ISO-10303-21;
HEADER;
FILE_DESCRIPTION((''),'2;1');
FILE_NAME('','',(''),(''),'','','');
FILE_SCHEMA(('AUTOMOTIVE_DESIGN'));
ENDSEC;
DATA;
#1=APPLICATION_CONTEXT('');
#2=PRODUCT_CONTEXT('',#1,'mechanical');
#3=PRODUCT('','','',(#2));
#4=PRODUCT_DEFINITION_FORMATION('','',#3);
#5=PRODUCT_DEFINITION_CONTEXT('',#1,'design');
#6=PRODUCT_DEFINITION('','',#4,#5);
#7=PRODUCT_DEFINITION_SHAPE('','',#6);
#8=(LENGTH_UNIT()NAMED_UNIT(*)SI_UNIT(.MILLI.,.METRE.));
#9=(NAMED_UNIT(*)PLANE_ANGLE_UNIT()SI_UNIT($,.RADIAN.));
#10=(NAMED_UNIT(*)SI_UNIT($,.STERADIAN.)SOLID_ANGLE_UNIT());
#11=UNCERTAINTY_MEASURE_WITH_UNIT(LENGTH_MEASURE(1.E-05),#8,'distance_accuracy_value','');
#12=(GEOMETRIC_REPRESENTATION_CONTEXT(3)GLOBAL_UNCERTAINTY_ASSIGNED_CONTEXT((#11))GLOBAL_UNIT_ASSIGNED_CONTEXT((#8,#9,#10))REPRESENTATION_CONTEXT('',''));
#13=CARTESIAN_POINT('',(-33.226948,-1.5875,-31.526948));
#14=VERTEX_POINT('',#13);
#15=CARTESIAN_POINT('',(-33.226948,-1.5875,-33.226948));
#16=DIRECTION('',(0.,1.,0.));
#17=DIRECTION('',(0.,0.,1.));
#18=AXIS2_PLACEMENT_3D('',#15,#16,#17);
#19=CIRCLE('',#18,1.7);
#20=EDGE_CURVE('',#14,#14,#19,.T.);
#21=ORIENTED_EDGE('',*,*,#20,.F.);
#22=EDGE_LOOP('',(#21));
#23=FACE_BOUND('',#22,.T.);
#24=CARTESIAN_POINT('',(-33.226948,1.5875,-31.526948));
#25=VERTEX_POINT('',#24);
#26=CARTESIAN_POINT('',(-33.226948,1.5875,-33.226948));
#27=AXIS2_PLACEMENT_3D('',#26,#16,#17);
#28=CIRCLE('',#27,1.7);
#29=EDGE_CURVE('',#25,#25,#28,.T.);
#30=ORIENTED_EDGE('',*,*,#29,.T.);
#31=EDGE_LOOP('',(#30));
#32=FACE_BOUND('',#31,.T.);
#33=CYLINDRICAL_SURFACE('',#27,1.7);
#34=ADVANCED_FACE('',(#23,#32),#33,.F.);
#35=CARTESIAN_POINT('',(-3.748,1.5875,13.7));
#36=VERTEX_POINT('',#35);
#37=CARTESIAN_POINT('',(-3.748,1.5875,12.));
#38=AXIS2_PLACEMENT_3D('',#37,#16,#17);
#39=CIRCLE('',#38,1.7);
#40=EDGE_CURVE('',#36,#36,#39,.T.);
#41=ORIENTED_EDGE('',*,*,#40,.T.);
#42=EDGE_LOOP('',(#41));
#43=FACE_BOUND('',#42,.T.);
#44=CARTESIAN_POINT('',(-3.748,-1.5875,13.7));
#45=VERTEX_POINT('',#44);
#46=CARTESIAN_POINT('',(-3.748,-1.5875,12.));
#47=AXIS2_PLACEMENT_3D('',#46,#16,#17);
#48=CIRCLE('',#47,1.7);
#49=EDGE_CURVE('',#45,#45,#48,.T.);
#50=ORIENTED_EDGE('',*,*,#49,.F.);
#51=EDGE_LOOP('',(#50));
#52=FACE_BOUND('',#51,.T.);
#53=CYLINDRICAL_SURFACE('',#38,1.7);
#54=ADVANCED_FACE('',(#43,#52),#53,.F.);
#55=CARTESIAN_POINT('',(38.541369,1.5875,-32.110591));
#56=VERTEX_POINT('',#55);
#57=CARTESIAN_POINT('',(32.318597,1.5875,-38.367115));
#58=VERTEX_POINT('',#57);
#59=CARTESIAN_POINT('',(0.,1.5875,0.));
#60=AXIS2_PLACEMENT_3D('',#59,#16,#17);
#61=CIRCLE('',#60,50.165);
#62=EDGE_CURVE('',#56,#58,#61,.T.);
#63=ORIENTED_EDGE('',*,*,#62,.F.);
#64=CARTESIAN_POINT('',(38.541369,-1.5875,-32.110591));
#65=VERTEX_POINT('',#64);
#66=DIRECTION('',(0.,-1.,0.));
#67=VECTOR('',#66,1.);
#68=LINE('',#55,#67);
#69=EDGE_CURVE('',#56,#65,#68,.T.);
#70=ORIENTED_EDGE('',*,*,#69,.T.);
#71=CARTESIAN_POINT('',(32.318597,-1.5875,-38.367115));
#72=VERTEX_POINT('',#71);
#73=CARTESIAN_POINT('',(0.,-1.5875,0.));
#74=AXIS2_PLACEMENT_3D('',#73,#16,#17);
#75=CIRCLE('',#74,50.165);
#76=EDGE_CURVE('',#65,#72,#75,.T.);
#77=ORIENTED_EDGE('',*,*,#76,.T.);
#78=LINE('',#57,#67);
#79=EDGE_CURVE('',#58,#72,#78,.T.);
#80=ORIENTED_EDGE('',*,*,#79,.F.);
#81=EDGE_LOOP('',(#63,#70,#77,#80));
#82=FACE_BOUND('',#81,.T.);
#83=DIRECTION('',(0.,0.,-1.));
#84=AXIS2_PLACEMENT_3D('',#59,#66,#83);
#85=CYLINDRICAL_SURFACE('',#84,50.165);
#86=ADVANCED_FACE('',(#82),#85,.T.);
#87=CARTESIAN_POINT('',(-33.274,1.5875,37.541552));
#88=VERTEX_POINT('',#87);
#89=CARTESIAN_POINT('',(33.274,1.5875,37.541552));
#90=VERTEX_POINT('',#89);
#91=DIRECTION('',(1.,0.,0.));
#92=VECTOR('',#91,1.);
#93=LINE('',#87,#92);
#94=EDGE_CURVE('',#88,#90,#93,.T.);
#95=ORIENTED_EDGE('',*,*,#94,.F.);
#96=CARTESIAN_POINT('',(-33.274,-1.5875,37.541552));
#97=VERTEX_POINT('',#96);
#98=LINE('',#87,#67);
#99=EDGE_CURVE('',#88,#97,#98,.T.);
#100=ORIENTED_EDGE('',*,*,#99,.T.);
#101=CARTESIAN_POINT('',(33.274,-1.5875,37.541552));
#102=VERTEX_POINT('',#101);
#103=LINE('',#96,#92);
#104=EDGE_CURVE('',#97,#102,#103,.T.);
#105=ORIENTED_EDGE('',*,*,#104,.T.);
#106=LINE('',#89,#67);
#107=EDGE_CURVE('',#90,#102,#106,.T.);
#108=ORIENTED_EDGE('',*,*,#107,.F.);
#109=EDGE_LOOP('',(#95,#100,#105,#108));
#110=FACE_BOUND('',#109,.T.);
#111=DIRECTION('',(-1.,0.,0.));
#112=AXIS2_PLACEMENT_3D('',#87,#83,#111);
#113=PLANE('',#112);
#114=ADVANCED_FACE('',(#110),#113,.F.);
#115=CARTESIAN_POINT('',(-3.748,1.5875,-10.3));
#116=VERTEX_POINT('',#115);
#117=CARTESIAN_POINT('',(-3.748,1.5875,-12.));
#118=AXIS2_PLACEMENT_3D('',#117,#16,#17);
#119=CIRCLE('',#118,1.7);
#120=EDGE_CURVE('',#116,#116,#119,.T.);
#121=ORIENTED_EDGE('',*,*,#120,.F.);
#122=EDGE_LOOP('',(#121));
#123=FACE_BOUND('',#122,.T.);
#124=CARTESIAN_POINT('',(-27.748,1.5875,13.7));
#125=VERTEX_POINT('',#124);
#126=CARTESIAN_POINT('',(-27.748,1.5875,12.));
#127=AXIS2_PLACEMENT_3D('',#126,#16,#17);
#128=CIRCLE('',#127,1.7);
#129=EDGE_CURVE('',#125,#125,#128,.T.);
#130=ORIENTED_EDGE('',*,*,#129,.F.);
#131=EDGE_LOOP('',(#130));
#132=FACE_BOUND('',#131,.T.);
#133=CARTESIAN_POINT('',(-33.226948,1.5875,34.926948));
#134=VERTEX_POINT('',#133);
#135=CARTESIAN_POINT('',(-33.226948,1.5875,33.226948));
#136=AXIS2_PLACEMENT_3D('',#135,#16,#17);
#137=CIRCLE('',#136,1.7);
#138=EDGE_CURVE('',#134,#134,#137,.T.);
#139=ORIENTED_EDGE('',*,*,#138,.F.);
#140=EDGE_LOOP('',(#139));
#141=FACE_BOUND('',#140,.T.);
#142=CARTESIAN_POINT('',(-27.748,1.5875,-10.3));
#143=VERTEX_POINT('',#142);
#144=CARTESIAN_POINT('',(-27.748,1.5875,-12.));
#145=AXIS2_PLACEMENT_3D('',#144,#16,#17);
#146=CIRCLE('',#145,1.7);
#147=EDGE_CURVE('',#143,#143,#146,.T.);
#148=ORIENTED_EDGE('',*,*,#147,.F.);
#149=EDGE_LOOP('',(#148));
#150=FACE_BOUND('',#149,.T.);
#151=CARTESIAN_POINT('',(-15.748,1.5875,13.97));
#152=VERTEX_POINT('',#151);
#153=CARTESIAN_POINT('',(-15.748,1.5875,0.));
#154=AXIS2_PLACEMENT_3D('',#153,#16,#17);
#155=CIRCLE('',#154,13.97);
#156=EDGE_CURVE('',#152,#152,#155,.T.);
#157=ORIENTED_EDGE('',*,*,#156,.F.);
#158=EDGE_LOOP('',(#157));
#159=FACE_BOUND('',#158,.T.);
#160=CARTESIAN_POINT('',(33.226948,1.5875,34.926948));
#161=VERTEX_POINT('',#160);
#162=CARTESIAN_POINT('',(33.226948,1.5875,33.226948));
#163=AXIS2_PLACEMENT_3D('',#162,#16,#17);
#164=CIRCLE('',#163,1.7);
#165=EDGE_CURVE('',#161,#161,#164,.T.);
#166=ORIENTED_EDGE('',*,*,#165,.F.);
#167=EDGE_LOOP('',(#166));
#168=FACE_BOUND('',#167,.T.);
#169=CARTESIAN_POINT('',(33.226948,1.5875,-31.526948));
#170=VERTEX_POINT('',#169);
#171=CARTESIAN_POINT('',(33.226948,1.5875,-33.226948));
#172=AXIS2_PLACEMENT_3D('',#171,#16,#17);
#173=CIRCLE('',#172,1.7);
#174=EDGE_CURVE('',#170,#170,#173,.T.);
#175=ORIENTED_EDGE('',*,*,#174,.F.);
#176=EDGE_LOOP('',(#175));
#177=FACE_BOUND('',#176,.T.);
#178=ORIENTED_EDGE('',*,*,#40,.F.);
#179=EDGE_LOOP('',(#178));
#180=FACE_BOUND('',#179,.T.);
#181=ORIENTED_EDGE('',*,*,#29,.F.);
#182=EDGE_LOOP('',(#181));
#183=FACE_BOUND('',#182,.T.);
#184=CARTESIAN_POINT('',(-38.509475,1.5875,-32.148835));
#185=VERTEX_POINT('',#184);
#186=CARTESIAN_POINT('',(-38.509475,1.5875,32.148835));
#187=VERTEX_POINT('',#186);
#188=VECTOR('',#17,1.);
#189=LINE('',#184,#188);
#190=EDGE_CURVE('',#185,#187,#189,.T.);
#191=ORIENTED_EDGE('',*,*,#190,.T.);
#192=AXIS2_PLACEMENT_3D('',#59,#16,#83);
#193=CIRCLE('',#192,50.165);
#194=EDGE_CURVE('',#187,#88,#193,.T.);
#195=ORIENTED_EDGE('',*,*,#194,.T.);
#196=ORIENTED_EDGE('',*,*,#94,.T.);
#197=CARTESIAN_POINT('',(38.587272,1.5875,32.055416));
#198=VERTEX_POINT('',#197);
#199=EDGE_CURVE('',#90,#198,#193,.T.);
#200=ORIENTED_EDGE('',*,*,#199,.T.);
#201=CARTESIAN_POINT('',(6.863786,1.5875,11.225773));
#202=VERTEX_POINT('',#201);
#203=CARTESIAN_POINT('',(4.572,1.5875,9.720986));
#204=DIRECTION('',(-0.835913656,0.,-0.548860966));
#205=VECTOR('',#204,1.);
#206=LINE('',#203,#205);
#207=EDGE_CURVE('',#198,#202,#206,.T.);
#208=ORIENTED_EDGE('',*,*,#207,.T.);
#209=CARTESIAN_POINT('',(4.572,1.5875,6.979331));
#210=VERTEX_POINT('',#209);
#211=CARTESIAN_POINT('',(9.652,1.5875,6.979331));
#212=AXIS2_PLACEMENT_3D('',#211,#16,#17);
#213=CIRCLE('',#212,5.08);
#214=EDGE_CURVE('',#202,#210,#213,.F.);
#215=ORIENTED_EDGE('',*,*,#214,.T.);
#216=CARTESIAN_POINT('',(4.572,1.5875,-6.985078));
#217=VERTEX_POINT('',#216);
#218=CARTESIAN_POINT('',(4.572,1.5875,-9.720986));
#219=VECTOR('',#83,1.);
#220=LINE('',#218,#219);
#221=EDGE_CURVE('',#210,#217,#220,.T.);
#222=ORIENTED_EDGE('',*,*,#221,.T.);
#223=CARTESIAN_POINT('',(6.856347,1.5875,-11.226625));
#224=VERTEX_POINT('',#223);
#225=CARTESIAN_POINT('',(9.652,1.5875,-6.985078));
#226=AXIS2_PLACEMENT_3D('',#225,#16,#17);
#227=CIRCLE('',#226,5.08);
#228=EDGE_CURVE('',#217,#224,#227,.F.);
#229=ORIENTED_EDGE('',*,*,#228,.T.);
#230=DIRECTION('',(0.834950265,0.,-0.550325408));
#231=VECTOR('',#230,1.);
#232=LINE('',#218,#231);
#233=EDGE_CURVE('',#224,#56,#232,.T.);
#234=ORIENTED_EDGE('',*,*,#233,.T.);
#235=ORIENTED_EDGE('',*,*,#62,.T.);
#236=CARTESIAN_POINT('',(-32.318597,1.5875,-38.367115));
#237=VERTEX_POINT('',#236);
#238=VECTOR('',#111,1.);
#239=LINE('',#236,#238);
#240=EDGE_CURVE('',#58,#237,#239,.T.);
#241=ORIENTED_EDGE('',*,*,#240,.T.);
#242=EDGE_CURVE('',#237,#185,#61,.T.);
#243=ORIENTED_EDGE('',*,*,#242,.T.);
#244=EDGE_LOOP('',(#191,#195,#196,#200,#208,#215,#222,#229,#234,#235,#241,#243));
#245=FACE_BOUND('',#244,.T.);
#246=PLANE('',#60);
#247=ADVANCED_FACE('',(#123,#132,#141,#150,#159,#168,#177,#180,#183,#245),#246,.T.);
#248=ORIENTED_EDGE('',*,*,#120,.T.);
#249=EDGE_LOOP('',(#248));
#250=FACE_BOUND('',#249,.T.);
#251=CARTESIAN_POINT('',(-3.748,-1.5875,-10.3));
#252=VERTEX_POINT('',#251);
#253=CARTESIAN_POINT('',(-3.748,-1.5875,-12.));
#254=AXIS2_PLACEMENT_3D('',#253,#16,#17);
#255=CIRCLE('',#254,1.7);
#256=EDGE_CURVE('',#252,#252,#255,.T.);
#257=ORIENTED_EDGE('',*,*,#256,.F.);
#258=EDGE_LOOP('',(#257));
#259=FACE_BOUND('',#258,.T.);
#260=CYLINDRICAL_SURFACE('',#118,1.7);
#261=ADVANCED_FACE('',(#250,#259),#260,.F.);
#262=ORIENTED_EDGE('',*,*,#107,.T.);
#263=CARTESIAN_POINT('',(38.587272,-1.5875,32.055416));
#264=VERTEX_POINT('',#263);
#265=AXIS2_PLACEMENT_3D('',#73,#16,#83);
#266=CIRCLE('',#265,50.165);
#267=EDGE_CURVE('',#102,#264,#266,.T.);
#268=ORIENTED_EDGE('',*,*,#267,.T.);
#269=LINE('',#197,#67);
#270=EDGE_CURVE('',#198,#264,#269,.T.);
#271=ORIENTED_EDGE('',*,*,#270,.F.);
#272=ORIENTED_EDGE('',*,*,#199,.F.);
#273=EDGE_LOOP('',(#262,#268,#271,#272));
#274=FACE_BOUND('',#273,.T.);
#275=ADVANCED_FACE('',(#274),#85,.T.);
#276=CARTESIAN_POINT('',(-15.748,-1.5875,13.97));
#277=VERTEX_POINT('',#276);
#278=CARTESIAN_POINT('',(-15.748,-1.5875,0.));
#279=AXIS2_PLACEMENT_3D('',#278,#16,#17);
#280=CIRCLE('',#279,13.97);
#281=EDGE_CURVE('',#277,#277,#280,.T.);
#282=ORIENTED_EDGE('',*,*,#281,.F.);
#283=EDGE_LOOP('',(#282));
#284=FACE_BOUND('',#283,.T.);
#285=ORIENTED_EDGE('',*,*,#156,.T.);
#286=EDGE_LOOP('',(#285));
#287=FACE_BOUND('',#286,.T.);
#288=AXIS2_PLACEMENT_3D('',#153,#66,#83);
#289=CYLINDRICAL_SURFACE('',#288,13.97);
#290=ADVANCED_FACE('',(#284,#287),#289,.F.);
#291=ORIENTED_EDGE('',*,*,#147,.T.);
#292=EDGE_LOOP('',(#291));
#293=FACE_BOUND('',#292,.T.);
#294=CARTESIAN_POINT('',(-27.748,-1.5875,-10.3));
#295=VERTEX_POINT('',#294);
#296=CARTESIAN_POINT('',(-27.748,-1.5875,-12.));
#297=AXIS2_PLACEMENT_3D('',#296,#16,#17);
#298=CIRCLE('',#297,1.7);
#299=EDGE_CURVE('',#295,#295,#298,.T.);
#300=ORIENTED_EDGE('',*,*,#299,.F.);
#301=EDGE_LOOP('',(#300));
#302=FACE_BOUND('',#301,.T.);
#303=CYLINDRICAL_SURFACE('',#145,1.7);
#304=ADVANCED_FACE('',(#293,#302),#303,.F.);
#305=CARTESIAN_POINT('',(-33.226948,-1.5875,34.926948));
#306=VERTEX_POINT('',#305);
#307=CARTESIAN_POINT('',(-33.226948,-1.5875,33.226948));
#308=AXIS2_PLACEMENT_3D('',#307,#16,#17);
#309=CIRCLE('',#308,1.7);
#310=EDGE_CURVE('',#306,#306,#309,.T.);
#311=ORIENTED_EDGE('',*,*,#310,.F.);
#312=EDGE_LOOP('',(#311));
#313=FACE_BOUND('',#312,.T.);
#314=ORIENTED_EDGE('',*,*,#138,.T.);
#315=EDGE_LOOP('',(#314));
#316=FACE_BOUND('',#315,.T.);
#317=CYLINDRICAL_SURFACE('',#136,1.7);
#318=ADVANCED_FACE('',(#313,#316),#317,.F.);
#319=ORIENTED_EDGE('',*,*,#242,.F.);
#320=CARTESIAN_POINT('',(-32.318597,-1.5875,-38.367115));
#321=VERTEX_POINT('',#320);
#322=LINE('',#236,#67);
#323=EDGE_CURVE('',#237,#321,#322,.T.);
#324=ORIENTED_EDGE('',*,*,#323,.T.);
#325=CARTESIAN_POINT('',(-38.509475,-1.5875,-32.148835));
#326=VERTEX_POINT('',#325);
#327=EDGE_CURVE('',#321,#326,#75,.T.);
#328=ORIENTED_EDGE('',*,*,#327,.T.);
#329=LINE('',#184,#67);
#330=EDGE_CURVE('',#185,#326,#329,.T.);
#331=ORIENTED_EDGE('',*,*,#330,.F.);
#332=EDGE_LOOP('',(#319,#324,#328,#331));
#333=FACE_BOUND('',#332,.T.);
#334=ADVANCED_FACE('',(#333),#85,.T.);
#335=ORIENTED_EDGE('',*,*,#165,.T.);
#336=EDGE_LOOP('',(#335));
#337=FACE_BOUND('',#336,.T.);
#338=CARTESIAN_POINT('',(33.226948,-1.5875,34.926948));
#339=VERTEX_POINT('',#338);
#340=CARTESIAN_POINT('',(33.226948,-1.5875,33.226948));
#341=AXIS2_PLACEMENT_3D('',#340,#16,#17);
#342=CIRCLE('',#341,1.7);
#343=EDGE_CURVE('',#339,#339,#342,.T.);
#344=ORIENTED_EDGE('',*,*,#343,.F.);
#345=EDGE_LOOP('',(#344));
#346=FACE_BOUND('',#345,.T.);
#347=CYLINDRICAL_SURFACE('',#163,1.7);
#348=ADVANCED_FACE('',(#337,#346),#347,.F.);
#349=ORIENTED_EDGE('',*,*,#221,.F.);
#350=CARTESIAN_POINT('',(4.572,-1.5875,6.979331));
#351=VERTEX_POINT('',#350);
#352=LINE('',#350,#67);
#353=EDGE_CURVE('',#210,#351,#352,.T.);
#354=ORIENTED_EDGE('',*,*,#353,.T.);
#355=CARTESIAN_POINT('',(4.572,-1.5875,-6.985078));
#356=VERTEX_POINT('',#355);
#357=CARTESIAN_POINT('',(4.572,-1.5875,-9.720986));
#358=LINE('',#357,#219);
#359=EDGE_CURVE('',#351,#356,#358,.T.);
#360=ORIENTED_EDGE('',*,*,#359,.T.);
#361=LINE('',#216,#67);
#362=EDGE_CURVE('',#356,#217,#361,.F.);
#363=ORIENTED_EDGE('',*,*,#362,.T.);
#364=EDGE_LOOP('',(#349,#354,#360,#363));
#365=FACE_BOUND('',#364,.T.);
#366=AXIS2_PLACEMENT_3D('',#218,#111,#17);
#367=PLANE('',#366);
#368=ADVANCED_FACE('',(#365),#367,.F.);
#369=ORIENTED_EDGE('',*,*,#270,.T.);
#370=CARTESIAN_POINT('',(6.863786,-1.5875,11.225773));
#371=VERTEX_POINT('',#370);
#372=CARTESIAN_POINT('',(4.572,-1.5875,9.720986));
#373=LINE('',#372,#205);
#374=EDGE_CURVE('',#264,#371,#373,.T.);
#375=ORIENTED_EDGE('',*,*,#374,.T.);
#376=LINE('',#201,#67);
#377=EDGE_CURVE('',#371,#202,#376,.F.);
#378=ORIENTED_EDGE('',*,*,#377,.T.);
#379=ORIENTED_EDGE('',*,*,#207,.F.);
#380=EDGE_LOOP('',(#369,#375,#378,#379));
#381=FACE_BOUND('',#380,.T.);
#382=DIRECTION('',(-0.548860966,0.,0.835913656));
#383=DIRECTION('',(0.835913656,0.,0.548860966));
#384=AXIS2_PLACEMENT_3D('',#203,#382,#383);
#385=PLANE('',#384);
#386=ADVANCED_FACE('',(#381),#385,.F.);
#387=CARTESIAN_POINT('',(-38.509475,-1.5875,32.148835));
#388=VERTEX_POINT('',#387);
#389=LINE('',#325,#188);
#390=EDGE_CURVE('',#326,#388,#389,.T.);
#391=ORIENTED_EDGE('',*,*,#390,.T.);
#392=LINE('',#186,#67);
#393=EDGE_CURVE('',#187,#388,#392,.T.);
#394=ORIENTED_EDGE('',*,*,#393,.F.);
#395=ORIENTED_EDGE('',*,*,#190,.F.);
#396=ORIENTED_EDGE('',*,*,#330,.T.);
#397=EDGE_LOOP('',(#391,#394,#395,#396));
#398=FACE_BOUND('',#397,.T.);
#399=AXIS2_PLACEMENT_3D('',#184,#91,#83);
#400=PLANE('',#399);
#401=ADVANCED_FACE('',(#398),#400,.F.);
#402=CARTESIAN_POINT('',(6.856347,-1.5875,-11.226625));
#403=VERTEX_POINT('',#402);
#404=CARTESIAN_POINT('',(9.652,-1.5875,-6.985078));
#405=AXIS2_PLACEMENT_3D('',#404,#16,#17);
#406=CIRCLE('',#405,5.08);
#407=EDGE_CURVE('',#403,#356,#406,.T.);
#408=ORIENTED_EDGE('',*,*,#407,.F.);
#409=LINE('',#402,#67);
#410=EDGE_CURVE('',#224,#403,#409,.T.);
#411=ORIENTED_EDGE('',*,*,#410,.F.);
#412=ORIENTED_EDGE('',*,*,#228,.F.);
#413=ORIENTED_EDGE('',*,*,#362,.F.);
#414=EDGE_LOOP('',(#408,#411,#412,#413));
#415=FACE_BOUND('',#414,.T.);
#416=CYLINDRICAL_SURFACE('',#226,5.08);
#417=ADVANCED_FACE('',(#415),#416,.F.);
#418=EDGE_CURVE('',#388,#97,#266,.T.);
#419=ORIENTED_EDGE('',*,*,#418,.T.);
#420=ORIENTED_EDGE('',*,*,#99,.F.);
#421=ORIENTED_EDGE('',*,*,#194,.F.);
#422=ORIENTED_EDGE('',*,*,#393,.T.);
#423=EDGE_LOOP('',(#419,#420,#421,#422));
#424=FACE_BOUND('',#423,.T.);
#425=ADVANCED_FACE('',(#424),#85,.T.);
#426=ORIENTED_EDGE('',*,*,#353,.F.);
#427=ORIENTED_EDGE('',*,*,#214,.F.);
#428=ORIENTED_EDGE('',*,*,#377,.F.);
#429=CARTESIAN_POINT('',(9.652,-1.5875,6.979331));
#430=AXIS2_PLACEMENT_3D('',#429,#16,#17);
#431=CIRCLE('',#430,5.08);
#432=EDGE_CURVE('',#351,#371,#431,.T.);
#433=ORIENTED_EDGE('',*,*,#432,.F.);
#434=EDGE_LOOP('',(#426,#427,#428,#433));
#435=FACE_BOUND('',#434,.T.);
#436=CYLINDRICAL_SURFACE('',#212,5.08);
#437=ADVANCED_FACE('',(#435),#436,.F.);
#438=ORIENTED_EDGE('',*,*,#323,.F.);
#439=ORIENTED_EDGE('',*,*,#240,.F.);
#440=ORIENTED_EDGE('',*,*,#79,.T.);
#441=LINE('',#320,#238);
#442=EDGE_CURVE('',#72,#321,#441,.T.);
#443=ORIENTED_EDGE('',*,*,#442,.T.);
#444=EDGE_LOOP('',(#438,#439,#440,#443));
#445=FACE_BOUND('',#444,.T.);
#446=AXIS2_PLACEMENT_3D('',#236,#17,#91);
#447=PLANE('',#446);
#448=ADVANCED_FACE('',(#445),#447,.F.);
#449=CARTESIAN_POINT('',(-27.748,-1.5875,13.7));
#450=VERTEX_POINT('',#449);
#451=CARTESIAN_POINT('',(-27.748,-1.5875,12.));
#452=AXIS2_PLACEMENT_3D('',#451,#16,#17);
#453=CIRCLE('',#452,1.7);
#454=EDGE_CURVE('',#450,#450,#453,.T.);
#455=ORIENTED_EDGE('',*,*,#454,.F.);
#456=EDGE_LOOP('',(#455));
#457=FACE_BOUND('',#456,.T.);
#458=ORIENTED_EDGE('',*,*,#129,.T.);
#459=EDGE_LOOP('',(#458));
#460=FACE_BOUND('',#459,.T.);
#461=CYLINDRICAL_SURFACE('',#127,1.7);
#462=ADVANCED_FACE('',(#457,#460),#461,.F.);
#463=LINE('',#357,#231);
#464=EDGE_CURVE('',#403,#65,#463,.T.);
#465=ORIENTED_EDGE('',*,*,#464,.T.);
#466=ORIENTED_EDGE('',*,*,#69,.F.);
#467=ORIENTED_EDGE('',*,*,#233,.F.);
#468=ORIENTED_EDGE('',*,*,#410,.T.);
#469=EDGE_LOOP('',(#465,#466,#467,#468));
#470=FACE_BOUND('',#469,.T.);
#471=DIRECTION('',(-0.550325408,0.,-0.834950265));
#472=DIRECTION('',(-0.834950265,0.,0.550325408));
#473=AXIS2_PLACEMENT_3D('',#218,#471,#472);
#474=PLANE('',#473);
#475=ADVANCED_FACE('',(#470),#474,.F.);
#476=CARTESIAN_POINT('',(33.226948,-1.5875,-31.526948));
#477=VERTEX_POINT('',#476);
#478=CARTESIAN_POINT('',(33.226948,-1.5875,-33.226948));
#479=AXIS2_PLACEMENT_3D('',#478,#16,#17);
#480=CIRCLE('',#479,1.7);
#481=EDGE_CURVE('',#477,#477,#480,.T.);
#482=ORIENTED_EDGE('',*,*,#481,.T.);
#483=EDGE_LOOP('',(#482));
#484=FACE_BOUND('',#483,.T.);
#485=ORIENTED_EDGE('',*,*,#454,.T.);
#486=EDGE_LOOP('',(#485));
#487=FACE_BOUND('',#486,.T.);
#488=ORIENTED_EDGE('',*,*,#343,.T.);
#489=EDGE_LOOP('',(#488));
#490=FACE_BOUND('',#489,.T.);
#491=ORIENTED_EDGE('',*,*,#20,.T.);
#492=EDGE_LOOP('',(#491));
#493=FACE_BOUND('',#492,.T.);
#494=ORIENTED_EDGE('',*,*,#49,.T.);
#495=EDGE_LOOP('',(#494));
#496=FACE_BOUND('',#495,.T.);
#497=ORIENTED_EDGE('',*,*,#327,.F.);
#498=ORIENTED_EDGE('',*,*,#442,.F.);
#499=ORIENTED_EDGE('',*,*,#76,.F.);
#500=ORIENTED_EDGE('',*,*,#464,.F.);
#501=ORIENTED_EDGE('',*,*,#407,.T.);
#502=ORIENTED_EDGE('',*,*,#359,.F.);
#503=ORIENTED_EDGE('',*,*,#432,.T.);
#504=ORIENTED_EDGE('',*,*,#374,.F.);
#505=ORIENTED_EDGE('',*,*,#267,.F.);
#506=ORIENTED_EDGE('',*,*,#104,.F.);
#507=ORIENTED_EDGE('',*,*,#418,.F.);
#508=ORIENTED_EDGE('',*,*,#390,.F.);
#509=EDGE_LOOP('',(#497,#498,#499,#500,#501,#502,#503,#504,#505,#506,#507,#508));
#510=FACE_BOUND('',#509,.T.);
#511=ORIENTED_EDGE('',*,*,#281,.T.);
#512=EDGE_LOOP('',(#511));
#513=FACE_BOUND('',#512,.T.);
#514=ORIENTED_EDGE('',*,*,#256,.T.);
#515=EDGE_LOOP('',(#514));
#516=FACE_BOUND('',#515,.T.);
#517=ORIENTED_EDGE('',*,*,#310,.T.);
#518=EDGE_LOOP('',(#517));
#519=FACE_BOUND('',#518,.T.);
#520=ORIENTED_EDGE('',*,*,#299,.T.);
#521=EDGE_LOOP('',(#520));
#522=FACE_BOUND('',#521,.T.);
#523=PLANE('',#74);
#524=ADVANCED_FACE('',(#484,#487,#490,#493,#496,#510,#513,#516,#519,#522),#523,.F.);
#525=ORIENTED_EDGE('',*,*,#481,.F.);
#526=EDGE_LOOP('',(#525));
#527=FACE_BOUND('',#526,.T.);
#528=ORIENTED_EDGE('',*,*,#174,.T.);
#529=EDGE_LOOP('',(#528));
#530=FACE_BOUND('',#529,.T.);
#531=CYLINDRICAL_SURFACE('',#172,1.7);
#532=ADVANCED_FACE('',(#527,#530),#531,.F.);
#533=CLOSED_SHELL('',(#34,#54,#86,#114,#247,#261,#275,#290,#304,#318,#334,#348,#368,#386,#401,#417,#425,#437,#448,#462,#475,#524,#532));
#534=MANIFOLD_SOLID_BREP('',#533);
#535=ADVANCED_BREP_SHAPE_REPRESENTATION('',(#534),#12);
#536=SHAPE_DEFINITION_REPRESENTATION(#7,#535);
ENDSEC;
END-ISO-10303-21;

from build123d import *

# Parameters (mm, degrees)
SKETCH1_R            = 13.97
BOSS_EXTRUDE1_DEPTH  = 1.5875
FILLET1_R            = 5.08
M3_CLEARANCE_HOLE1_D = 3.4
M3_CLEARANCE_HOLE2_D = 3.4


with BuildPart() as part:
    # Sketch1 → Boss-Extrude1 (new, symmetric)
    with BuildSketch(Plane(origin=(0, 0, 0), x_dir=(1, 0, 0), z_dir=(0, 1, 0))):
        with BuildLine():
            Line((-38.50947489, 32.14883464), (-38.50947489, -32.14883464))
            ThreePointArc((-38.50947489, -32.14883464), (-35.992876625, -34.943383598), (-33.274, -37.541552299))
            Line((-33.274, -37.541552299), (33.274, -37.541552299))
            ThreePointArc((33.274, -37.541552299), (36.035191498, -34.899744966), (38.587271968, -32.055415565))
            Line((38.587271968, -32.055415565), (4.572, -9.720985565))
            Line((4.572, -9.720985565), (4.572, 9.720985565))
            Line((4.572, 9.720985565), (38.541369471, 32.110591154))
            ThreePointArc((38.541369471, 32.110591154), (35.567819018, 35.375944868), (32.318597457, 38.367114609))
            Line((32.318597457, 38.367114609), (-32.318597457, 38.367114609))
            ThreePointArc((-32.318597457, 38.367114609), (-35.55025611, 35.393594272), (-38.50947489, 32.14883464))
        make_face()
        with Locations(Location((-15.748, 0, 0), (0, 0, 270))):
            Circle(SKETCH1_R, mode=Mode.SUBTRACT)
    extrude(amount=BOSS_EXTRUDE1_DEPTH, both=True)

    # Fillet1
    fillet1_edges = [part.edges().sort_by_distance(p)[0] for p in [
        (4.572, 0, -9.720985565),
        (4.572, 0, 9.720985565),
    ]]
    fillet(fillet1_edges, radius=FILLET1_R)

    # M3 Clearance Hole1 (through all)
    with Locations(Plane(origin=(0, 1.5875, 0), x_dir=(1, 0, 0), z_dir=(0, 1, 0))):
        with Locations((-33.226947648, 33.226947648), (33.226947648, 33.226947648), (33.226947648, -33.226947648), (-33.226947648, -33.226947648)):
            Hole(M3_CLEARANCE_HOLE1_D / 2)

    # M3 Clearance Hole2 (through all)
    with Locations(Plane(origin=(0, 1.5875, 0), x_dir=(1, 0, 0), z_dir=(0, 1, 0))):
        with Locations((-27.748, 12), (-3.748, 12), (-3.748, -12), (-27.748, -12)):
            Hole(M3_CLEARANCE_HOLE2_D / 2)


solid = part.part
